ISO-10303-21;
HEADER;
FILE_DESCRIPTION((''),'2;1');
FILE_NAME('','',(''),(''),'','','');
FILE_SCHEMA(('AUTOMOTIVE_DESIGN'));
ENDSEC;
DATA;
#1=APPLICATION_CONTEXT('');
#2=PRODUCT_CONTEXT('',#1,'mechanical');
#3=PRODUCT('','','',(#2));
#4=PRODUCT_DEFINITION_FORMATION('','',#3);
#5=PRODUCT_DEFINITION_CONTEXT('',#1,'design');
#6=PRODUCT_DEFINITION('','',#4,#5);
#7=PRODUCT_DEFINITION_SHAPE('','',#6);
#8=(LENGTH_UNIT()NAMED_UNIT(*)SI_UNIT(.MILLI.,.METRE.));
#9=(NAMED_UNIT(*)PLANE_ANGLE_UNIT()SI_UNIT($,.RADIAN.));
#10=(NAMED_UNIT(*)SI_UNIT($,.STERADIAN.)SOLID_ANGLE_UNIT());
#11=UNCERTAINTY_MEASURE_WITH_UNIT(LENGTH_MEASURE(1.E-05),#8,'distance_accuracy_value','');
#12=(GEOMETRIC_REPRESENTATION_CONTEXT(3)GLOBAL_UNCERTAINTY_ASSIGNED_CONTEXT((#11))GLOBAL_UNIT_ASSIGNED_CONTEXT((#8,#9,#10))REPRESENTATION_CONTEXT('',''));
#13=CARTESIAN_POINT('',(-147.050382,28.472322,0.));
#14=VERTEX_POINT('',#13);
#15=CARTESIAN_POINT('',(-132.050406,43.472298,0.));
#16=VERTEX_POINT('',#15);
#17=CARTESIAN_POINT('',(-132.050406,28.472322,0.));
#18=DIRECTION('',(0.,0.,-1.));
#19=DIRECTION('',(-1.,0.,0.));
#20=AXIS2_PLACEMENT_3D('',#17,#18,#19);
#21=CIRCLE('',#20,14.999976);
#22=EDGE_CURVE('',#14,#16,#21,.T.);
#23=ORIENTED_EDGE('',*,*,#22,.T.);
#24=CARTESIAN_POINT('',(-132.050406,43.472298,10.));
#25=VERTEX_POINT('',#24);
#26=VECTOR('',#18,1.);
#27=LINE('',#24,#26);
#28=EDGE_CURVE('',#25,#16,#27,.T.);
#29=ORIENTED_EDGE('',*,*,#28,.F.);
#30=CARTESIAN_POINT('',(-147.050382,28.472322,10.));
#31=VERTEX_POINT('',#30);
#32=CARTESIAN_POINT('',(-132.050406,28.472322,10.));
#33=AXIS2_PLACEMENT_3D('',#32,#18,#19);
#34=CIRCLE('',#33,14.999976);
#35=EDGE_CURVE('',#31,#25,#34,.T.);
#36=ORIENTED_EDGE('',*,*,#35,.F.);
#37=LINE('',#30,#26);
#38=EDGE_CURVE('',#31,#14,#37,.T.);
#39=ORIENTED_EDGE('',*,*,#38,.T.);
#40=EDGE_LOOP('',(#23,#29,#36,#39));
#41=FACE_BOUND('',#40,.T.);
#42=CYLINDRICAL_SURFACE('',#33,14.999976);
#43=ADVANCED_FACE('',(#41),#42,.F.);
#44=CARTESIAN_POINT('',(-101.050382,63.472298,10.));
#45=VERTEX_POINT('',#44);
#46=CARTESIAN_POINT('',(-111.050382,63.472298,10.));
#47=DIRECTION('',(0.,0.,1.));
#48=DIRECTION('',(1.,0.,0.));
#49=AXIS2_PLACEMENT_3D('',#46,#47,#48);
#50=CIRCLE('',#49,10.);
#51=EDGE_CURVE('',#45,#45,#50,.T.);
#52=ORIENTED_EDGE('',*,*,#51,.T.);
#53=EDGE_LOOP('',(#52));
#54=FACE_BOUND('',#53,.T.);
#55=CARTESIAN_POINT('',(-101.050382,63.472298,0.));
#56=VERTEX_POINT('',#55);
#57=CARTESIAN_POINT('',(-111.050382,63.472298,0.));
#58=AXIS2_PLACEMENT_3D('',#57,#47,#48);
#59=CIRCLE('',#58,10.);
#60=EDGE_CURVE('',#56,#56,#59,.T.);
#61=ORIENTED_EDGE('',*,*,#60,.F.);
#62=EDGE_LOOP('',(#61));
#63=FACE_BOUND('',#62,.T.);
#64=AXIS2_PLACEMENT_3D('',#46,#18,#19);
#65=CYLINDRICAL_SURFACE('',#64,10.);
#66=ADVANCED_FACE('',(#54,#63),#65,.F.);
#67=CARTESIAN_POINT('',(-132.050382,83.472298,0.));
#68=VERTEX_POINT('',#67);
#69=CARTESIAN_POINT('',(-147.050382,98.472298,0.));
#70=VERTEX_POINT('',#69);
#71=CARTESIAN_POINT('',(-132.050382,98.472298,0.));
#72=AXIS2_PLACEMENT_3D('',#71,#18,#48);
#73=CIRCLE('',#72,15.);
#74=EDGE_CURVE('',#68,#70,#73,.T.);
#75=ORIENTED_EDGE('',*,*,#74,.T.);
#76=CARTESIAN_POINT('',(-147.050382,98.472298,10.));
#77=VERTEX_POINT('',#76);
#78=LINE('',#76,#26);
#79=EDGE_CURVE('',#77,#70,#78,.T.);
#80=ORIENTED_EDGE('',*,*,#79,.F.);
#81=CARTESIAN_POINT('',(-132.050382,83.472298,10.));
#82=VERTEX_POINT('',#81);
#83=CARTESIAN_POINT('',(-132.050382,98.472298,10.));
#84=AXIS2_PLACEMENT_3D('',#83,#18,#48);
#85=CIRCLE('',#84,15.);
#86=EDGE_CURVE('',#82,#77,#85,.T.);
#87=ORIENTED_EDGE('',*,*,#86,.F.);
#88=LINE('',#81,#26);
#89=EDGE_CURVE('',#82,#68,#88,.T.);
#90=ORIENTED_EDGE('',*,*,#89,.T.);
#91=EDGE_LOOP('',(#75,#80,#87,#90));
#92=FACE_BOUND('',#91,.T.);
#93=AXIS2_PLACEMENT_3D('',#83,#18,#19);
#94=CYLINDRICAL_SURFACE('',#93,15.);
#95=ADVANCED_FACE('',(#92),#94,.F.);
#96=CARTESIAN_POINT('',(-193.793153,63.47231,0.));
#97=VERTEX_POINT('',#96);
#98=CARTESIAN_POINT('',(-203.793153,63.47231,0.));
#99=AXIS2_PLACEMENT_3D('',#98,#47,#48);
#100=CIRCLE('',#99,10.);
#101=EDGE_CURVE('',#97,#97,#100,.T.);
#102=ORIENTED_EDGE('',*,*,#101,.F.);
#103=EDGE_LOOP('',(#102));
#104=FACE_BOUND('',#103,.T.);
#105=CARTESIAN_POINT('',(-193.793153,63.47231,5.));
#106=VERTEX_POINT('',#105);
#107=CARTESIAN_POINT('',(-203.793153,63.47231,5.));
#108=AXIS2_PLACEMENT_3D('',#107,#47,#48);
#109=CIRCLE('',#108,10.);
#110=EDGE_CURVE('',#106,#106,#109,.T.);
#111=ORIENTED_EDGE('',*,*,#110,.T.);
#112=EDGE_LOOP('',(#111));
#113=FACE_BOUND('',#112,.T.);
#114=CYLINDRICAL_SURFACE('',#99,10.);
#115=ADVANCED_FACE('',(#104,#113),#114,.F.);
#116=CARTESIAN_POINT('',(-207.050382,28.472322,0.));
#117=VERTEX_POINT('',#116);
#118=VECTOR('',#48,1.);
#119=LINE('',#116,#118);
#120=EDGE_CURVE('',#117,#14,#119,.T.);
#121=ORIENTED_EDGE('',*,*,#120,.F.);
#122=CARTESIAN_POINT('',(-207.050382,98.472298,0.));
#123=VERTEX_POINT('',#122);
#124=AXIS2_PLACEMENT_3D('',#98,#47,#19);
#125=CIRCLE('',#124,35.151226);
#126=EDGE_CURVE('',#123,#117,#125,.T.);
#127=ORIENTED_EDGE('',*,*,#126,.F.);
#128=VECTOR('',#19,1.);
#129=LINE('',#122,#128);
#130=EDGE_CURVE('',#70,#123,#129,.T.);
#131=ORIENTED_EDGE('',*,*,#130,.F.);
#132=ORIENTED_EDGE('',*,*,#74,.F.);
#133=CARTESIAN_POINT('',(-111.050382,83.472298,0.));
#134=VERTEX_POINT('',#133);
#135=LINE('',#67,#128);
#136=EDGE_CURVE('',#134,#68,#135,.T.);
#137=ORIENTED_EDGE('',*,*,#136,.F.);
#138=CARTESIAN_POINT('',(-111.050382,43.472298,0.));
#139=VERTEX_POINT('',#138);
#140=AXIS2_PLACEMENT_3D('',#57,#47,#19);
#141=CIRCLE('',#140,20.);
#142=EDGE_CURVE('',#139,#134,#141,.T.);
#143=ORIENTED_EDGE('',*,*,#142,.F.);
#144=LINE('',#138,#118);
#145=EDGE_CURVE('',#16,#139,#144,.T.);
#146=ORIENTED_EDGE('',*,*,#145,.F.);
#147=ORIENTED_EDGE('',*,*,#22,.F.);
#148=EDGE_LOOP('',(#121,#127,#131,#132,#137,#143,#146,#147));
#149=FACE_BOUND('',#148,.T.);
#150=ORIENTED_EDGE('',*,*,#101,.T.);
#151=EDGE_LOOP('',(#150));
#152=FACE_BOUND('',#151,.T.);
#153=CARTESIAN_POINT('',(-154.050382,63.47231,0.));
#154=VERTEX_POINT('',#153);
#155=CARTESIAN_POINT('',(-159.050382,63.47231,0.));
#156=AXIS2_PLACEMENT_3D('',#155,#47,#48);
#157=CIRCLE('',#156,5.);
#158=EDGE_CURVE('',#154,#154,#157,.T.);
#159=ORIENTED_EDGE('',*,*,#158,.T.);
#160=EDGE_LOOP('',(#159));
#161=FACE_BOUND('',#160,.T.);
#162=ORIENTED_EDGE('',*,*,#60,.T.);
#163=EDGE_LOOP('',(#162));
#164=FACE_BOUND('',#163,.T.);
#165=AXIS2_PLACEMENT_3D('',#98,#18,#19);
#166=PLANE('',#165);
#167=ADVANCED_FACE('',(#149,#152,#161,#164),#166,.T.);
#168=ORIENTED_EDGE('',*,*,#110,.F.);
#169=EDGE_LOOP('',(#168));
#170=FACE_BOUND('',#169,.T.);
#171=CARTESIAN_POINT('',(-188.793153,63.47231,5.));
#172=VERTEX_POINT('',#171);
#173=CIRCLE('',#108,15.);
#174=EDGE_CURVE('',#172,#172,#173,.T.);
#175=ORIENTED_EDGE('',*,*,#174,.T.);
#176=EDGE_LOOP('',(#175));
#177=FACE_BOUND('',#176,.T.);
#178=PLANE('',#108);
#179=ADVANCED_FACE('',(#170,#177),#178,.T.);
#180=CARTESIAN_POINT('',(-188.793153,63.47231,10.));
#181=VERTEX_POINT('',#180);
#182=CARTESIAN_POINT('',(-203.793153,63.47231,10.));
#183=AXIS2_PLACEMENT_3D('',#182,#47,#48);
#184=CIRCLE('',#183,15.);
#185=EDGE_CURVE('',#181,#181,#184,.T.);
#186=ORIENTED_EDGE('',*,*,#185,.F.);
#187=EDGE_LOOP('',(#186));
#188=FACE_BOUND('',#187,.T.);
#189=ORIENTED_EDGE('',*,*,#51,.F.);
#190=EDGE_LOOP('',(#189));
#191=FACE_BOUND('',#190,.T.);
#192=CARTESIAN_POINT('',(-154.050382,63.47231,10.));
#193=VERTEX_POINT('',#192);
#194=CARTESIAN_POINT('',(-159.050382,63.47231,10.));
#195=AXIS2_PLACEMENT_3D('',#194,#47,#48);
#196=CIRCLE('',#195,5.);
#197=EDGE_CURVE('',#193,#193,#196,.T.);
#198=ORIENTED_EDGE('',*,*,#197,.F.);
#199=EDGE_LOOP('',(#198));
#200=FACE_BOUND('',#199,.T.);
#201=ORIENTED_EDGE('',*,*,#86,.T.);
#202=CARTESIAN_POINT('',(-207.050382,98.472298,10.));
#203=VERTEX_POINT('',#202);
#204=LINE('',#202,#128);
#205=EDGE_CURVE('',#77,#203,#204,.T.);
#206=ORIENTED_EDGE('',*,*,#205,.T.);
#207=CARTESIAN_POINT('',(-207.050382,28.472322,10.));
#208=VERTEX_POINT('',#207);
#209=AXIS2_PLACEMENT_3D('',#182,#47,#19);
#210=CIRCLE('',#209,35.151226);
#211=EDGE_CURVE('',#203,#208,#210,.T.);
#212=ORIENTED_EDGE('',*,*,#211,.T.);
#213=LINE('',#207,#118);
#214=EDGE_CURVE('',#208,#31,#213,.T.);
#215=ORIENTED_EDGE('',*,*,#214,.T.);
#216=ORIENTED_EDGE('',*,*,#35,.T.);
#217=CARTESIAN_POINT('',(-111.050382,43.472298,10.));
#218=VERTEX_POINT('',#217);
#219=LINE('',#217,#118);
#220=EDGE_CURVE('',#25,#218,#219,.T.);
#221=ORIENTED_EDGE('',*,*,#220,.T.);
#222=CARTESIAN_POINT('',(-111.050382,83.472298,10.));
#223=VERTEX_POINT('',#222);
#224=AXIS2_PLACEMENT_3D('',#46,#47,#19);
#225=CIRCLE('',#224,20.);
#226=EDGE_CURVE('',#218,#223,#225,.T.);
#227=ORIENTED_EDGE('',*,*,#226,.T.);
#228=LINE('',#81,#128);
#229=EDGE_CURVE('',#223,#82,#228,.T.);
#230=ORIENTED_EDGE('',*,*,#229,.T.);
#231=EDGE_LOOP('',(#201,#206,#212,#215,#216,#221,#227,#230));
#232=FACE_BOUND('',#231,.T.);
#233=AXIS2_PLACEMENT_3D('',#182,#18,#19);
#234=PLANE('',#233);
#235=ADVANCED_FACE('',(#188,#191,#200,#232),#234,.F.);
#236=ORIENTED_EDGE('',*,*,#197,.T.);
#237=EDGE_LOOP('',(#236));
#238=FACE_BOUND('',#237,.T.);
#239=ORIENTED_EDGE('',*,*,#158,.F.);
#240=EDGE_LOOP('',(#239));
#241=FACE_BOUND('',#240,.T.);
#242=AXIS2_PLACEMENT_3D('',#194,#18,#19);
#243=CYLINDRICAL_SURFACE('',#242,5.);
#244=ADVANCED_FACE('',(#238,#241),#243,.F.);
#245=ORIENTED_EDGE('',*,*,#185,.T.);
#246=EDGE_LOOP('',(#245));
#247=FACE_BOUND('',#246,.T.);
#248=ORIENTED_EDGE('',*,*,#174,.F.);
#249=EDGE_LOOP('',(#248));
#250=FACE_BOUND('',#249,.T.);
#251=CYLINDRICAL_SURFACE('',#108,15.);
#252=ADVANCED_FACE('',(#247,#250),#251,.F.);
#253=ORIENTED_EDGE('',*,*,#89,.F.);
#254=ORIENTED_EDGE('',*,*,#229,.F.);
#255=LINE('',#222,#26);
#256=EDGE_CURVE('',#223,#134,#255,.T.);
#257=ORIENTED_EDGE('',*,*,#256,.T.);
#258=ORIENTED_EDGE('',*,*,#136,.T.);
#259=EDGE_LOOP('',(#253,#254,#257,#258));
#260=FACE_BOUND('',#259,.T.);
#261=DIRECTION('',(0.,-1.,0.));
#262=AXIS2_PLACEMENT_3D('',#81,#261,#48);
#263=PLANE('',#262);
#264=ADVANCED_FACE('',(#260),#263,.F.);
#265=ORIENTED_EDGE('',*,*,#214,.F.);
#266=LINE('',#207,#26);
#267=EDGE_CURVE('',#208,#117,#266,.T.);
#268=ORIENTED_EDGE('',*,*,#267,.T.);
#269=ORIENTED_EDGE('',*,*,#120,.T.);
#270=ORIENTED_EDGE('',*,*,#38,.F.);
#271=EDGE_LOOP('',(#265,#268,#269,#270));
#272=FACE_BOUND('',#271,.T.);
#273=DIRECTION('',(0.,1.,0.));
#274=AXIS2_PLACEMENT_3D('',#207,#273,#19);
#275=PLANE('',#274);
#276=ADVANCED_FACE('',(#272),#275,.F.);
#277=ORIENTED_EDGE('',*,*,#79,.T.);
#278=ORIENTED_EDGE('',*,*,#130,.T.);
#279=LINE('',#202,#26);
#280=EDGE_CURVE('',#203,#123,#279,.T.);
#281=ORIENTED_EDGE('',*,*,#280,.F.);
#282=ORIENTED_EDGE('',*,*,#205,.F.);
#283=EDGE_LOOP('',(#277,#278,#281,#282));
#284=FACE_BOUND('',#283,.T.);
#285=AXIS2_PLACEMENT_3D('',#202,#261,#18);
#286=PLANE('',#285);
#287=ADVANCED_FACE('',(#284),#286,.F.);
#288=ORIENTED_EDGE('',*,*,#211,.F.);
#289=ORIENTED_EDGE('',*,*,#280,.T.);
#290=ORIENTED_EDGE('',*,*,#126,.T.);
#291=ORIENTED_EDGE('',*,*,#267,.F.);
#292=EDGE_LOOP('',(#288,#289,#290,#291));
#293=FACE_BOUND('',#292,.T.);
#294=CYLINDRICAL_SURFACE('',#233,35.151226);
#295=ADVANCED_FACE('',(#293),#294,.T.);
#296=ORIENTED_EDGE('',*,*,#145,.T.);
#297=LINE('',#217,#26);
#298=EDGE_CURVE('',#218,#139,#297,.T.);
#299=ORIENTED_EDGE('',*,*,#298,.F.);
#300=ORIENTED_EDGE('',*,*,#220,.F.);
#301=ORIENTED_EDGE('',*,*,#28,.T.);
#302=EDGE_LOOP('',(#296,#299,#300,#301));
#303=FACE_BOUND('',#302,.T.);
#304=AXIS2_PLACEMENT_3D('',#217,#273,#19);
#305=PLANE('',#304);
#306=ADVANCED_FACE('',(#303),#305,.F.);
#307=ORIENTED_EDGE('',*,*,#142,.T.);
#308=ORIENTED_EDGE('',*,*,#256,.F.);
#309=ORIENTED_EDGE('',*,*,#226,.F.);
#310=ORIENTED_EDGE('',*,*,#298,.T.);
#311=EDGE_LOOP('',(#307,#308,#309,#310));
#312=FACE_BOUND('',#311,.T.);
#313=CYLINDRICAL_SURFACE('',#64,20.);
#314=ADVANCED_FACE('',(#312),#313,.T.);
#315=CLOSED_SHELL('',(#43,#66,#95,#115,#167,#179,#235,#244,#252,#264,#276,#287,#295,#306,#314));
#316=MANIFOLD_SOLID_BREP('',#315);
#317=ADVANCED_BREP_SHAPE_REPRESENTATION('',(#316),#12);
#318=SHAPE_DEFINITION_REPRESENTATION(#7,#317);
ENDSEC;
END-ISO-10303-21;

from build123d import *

# Parameters (mm, degrees)
SKETCH2_R           = 10
SKETCH2_R_2         = 5
BOSS_EXTRUDE3_DEPTH = 10
SKETCH3_R           = 15
CUT_EXTRUDE1_DEPTH  = 5
SKETCH4_R           = 10
CUT_EXTRUDE2_DEPTH  = 259.488315973


with BuildPart() as part:
    # Sketch2 → Boss-Extrude3 (new body)
    with BuildSketch(Plane.XY):
        with BuildLine():
            Line((-207.050381934, 98.472297517), (-147.050381934, 98.472297517))
            ThreePointArc((-147.050381934, 98.472297517), (-142.656983652, 87.865695799), (-132.050381934, 83.472297517))
            Line((-132.050381934, 83.472297517), (-111.050381934, 83.472297517))
            ThreePointArc((-111.050381934, 83.472297517), (-91.050381934, 63.472297517), (-111.050381934, 43.472297517))
            Line((-111.050381934, 43.472297517), (-132.050406277, 43.472297517))
            ThreePointArc((-132.050406277, 43.472297517), (-142.656990782, 39.078906365), (-147.050381934, 28.47232186))
            Line((-147.050381934, 28.47232186), (-207.050381934, 28.47232186))
            ThreePointArc((-207.050381934, 28.47232186), (-238.944378708, 63.472309688), (-207.050381934, 98.472297517))
        make_face()
        with Locations((-111.050381934, 63.472297517)):
            Circle(SKETCH2_R, mode=Mode.SUBTRACT)
        with Locations((-159.050381934, 63.472309688)):
            Circle(SKETCH2_R_2, mode=Mode.SUBTRACT)
    extrude(amount=BOSS_EXTRUDE3_DEPTH)

    # Sketch3 → Cut-Extrude1 (cut)
    with BuildSketch(Plane.XY.offset(10)):
        with Locations((-203.793152693, 63.472309688)):
            Circle(SKETCH3_R)
    extrude(amount=-CUT_EXTRUDE1_DEPTH, mode=Mode.SUBTRACT)

    # Sketch4 → Cut-Extrude2 (cut, through all)
    with BuildSketch(Plane.XY.offset(5)):
        with Locations((-203.793152693, 63.472309688)):
            Circle(SKETCH4_R)
    extrude(amount=-CUT_EXTRUDE2_DEPTH, mode=Mode.SUBTRACT)


solid = part.part
